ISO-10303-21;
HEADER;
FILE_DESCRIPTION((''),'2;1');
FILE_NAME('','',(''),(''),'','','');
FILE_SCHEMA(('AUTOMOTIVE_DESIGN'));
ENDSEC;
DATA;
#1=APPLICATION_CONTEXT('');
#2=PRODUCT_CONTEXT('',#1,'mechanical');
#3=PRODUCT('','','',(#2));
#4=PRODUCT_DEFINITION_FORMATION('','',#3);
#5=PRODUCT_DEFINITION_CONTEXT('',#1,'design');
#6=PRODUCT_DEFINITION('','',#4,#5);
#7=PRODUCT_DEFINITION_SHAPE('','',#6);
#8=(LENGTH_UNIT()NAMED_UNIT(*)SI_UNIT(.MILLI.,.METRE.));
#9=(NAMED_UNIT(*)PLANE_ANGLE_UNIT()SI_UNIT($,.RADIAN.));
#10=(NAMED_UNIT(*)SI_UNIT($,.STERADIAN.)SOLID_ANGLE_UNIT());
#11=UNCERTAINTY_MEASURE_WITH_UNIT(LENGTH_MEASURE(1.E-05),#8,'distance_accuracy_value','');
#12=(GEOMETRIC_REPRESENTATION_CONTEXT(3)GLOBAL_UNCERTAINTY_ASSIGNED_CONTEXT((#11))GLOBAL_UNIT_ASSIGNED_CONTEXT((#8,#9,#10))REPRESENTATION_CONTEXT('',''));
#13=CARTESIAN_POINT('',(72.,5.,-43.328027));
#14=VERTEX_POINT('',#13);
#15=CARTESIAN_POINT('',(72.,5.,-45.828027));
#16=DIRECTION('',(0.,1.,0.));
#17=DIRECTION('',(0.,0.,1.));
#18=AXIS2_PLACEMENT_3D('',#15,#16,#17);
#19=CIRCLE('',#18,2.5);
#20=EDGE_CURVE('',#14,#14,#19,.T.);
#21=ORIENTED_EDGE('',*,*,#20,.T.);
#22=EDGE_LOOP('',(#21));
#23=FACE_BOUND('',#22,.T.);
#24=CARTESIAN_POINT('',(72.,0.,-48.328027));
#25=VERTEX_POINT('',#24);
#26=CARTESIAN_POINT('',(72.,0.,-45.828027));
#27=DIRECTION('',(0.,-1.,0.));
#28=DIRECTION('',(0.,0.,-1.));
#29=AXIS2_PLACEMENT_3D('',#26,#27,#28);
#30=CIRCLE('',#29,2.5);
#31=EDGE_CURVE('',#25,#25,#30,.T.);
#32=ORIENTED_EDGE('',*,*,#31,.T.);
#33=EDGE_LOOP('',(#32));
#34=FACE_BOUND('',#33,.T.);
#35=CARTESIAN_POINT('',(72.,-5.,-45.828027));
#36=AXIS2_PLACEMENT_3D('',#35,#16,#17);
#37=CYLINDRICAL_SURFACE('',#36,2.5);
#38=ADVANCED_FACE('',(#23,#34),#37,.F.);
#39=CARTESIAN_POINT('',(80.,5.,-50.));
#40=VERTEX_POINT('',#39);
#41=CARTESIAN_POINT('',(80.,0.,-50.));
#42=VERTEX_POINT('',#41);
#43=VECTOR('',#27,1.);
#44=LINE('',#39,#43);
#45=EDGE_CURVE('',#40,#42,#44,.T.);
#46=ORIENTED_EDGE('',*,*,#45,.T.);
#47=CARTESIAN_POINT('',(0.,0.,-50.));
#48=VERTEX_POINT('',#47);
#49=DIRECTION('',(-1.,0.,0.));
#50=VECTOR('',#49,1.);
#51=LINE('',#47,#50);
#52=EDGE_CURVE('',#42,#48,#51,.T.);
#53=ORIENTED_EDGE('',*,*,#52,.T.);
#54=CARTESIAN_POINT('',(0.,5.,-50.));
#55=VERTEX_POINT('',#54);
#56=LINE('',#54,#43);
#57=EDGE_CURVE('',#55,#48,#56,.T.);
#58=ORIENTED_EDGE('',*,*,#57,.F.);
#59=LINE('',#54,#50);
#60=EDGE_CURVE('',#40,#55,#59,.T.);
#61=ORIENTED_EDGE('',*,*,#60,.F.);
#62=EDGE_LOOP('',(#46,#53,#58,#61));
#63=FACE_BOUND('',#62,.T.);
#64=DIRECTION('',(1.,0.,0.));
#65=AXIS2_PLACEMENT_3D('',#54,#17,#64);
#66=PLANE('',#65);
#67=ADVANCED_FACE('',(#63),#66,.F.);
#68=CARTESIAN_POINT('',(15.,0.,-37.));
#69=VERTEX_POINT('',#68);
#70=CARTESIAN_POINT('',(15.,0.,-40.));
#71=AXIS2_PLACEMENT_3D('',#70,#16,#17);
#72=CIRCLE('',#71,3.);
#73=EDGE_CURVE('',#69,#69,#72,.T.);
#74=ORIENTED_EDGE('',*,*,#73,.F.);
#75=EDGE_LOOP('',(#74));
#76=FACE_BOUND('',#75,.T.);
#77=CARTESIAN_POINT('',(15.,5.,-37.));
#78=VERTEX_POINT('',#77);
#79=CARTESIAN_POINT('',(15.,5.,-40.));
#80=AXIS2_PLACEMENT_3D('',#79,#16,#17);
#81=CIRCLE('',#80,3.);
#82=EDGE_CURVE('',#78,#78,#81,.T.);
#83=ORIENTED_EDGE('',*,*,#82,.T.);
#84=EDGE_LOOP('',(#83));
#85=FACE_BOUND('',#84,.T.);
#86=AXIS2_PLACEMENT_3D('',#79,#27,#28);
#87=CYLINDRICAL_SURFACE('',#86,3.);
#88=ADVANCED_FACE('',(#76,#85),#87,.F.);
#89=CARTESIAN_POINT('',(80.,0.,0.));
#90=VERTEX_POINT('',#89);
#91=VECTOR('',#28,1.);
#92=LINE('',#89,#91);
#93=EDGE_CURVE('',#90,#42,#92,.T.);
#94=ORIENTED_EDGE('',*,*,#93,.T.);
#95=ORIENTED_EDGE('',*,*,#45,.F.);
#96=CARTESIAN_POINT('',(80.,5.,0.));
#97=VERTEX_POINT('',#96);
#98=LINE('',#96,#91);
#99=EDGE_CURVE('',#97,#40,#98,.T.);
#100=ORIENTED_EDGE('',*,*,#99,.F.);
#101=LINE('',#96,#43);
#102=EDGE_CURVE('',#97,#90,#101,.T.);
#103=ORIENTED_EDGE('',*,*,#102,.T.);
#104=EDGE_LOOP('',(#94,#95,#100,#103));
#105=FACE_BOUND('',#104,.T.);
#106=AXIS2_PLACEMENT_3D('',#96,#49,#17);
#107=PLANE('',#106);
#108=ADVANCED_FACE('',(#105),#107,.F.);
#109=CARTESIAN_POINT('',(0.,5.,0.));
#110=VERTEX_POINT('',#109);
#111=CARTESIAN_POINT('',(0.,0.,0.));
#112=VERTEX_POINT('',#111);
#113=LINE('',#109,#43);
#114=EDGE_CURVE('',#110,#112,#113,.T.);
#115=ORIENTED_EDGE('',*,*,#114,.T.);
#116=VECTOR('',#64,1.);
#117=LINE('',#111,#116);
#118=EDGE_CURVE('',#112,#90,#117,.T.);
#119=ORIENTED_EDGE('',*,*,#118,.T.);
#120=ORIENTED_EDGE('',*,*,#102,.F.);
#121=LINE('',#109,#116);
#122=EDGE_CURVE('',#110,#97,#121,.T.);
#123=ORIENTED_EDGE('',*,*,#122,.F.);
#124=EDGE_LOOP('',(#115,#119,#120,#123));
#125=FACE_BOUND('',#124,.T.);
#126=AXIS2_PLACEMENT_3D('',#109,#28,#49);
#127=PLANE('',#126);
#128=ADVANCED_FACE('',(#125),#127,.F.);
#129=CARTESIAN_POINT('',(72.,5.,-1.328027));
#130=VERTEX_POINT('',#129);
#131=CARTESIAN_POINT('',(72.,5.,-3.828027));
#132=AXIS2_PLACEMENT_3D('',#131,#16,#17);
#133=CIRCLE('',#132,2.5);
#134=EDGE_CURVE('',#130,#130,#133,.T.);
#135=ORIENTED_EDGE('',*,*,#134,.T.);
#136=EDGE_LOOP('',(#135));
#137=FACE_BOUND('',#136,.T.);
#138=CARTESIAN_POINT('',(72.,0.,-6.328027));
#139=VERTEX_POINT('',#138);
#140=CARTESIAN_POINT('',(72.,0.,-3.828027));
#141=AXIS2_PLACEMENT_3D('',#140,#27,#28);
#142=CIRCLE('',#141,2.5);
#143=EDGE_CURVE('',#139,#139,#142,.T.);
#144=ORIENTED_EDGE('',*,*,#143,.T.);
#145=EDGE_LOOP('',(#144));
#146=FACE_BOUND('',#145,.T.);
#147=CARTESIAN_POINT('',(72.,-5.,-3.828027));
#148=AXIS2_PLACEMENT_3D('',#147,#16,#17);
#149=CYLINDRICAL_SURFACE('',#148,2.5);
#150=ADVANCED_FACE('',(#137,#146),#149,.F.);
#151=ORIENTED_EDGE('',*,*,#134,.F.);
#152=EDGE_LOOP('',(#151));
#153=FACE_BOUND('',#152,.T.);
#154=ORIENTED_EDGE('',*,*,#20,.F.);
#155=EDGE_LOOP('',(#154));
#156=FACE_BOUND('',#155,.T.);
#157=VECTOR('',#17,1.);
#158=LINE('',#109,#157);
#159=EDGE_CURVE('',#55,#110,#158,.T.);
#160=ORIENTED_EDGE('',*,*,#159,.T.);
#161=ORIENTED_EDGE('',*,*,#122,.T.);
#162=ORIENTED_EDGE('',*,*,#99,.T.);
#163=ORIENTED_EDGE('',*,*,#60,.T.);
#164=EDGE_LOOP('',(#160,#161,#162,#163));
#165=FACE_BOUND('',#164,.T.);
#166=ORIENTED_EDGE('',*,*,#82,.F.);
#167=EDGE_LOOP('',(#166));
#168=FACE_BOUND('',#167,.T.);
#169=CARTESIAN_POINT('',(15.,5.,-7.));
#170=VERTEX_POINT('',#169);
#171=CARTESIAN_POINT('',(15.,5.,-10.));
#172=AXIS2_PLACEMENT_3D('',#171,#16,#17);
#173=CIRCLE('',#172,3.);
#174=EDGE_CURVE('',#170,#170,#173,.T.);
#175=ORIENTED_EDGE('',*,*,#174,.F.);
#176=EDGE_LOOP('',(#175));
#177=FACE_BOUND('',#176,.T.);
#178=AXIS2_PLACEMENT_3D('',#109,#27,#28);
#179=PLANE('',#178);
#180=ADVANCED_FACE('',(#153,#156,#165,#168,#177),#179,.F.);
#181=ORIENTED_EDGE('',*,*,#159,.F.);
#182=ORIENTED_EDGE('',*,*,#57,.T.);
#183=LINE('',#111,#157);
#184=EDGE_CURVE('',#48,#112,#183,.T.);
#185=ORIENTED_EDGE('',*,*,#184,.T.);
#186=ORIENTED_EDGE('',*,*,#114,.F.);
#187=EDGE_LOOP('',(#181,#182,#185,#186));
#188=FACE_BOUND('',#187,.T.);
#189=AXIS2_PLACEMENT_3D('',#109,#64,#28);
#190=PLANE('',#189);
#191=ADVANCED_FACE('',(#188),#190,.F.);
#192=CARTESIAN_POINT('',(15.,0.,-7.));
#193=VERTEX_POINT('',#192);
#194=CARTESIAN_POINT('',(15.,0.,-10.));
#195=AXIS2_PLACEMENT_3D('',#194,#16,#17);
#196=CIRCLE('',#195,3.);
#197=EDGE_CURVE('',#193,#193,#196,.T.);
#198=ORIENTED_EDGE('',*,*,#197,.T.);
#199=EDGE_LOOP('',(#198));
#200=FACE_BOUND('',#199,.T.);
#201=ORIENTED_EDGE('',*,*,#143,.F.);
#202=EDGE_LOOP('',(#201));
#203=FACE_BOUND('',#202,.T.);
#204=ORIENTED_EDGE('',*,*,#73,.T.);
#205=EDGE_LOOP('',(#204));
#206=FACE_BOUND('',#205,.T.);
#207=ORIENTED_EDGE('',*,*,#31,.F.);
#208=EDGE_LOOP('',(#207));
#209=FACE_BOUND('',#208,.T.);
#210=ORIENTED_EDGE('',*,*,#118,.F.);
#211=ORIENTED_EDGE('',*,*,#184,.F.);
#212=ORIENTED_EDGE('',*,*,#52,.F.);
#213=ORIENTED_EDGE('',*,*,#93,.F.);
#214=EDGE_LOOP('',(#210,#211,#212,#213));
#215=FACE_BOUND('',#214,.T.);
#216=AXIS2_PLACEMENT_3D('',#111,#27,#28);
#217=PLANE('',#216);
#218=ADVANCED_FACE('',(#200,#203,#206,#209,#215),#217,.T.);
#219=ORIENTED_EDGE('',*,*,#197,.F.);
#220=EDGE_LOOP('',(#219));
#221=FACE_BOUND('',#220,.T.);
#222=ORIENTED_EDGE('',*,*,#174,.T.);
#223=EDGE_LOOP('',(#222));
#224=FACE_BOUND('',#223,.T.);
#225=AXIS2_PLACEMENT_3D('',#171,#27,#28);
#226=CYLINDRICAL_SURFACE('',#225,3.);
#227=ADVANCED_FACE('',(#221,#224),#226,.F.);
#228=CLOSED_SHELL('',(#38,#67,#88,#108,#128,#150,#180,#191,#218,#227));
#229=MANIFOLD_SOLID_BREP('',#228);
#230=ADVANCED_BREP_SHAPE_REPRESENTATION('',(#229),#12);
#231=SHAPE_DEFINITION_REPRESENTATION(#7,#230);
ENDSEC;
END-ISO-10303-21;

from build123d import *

# Parameters (mm, degrees)
SKETCH1_W           = 80
SKETCH1_H           = 50
SKETCH1_R           = 3
BOSS_EXTRUDE1_DEPTH = 5
SKETCH2_R           = 2.5
CUT_EXTRUDE1_DEPTH  = 10


with BuildPart() as part:
    # Sketch1 → Boss-Extrude1 (new body)
    with BuildSketch(Plane(origin=(0, 0, 0), x_dir=(1, 0, 0), z_dir=(0, 1, 0))):
        with Locations((40, 25)):
            Rectangle(SKETCH1_W, SKETCH1_H)
        with Locations(Location((15, 40, 0), (0, 0, 270))):
            Circle(SKETCH1_R, mode=Mode.SUBTRACT)
        with Locations(Location((15, 10, 0), (0, 0, 270))):
            Circle(SKETCH1_R, mode=Mode.SUBTRACT)
    extrude(amount=BOSS_EXTRUDE1_DEPTH)

    # Sketch2 → Cut-Extrude1 (cut)
    with BuildSketch(Plane(origin=(0, 5, 0), x_dir=(1, 0, 0), z_dir=(0, 1, 0))):
        with Locations(Location((72, 3.828026959, 0), (0, 0, 270))):
            Circle(SKETCH2_R)
        with Locations(Location((72, 45.828026959, 0), (0, 0, 270))):
            Circle(SKETCH2_R)
    extrude(amount=-CUT_EXTRUDE1_DEPTH, mode=Mode.SUBTRACT)


solid = part.part
